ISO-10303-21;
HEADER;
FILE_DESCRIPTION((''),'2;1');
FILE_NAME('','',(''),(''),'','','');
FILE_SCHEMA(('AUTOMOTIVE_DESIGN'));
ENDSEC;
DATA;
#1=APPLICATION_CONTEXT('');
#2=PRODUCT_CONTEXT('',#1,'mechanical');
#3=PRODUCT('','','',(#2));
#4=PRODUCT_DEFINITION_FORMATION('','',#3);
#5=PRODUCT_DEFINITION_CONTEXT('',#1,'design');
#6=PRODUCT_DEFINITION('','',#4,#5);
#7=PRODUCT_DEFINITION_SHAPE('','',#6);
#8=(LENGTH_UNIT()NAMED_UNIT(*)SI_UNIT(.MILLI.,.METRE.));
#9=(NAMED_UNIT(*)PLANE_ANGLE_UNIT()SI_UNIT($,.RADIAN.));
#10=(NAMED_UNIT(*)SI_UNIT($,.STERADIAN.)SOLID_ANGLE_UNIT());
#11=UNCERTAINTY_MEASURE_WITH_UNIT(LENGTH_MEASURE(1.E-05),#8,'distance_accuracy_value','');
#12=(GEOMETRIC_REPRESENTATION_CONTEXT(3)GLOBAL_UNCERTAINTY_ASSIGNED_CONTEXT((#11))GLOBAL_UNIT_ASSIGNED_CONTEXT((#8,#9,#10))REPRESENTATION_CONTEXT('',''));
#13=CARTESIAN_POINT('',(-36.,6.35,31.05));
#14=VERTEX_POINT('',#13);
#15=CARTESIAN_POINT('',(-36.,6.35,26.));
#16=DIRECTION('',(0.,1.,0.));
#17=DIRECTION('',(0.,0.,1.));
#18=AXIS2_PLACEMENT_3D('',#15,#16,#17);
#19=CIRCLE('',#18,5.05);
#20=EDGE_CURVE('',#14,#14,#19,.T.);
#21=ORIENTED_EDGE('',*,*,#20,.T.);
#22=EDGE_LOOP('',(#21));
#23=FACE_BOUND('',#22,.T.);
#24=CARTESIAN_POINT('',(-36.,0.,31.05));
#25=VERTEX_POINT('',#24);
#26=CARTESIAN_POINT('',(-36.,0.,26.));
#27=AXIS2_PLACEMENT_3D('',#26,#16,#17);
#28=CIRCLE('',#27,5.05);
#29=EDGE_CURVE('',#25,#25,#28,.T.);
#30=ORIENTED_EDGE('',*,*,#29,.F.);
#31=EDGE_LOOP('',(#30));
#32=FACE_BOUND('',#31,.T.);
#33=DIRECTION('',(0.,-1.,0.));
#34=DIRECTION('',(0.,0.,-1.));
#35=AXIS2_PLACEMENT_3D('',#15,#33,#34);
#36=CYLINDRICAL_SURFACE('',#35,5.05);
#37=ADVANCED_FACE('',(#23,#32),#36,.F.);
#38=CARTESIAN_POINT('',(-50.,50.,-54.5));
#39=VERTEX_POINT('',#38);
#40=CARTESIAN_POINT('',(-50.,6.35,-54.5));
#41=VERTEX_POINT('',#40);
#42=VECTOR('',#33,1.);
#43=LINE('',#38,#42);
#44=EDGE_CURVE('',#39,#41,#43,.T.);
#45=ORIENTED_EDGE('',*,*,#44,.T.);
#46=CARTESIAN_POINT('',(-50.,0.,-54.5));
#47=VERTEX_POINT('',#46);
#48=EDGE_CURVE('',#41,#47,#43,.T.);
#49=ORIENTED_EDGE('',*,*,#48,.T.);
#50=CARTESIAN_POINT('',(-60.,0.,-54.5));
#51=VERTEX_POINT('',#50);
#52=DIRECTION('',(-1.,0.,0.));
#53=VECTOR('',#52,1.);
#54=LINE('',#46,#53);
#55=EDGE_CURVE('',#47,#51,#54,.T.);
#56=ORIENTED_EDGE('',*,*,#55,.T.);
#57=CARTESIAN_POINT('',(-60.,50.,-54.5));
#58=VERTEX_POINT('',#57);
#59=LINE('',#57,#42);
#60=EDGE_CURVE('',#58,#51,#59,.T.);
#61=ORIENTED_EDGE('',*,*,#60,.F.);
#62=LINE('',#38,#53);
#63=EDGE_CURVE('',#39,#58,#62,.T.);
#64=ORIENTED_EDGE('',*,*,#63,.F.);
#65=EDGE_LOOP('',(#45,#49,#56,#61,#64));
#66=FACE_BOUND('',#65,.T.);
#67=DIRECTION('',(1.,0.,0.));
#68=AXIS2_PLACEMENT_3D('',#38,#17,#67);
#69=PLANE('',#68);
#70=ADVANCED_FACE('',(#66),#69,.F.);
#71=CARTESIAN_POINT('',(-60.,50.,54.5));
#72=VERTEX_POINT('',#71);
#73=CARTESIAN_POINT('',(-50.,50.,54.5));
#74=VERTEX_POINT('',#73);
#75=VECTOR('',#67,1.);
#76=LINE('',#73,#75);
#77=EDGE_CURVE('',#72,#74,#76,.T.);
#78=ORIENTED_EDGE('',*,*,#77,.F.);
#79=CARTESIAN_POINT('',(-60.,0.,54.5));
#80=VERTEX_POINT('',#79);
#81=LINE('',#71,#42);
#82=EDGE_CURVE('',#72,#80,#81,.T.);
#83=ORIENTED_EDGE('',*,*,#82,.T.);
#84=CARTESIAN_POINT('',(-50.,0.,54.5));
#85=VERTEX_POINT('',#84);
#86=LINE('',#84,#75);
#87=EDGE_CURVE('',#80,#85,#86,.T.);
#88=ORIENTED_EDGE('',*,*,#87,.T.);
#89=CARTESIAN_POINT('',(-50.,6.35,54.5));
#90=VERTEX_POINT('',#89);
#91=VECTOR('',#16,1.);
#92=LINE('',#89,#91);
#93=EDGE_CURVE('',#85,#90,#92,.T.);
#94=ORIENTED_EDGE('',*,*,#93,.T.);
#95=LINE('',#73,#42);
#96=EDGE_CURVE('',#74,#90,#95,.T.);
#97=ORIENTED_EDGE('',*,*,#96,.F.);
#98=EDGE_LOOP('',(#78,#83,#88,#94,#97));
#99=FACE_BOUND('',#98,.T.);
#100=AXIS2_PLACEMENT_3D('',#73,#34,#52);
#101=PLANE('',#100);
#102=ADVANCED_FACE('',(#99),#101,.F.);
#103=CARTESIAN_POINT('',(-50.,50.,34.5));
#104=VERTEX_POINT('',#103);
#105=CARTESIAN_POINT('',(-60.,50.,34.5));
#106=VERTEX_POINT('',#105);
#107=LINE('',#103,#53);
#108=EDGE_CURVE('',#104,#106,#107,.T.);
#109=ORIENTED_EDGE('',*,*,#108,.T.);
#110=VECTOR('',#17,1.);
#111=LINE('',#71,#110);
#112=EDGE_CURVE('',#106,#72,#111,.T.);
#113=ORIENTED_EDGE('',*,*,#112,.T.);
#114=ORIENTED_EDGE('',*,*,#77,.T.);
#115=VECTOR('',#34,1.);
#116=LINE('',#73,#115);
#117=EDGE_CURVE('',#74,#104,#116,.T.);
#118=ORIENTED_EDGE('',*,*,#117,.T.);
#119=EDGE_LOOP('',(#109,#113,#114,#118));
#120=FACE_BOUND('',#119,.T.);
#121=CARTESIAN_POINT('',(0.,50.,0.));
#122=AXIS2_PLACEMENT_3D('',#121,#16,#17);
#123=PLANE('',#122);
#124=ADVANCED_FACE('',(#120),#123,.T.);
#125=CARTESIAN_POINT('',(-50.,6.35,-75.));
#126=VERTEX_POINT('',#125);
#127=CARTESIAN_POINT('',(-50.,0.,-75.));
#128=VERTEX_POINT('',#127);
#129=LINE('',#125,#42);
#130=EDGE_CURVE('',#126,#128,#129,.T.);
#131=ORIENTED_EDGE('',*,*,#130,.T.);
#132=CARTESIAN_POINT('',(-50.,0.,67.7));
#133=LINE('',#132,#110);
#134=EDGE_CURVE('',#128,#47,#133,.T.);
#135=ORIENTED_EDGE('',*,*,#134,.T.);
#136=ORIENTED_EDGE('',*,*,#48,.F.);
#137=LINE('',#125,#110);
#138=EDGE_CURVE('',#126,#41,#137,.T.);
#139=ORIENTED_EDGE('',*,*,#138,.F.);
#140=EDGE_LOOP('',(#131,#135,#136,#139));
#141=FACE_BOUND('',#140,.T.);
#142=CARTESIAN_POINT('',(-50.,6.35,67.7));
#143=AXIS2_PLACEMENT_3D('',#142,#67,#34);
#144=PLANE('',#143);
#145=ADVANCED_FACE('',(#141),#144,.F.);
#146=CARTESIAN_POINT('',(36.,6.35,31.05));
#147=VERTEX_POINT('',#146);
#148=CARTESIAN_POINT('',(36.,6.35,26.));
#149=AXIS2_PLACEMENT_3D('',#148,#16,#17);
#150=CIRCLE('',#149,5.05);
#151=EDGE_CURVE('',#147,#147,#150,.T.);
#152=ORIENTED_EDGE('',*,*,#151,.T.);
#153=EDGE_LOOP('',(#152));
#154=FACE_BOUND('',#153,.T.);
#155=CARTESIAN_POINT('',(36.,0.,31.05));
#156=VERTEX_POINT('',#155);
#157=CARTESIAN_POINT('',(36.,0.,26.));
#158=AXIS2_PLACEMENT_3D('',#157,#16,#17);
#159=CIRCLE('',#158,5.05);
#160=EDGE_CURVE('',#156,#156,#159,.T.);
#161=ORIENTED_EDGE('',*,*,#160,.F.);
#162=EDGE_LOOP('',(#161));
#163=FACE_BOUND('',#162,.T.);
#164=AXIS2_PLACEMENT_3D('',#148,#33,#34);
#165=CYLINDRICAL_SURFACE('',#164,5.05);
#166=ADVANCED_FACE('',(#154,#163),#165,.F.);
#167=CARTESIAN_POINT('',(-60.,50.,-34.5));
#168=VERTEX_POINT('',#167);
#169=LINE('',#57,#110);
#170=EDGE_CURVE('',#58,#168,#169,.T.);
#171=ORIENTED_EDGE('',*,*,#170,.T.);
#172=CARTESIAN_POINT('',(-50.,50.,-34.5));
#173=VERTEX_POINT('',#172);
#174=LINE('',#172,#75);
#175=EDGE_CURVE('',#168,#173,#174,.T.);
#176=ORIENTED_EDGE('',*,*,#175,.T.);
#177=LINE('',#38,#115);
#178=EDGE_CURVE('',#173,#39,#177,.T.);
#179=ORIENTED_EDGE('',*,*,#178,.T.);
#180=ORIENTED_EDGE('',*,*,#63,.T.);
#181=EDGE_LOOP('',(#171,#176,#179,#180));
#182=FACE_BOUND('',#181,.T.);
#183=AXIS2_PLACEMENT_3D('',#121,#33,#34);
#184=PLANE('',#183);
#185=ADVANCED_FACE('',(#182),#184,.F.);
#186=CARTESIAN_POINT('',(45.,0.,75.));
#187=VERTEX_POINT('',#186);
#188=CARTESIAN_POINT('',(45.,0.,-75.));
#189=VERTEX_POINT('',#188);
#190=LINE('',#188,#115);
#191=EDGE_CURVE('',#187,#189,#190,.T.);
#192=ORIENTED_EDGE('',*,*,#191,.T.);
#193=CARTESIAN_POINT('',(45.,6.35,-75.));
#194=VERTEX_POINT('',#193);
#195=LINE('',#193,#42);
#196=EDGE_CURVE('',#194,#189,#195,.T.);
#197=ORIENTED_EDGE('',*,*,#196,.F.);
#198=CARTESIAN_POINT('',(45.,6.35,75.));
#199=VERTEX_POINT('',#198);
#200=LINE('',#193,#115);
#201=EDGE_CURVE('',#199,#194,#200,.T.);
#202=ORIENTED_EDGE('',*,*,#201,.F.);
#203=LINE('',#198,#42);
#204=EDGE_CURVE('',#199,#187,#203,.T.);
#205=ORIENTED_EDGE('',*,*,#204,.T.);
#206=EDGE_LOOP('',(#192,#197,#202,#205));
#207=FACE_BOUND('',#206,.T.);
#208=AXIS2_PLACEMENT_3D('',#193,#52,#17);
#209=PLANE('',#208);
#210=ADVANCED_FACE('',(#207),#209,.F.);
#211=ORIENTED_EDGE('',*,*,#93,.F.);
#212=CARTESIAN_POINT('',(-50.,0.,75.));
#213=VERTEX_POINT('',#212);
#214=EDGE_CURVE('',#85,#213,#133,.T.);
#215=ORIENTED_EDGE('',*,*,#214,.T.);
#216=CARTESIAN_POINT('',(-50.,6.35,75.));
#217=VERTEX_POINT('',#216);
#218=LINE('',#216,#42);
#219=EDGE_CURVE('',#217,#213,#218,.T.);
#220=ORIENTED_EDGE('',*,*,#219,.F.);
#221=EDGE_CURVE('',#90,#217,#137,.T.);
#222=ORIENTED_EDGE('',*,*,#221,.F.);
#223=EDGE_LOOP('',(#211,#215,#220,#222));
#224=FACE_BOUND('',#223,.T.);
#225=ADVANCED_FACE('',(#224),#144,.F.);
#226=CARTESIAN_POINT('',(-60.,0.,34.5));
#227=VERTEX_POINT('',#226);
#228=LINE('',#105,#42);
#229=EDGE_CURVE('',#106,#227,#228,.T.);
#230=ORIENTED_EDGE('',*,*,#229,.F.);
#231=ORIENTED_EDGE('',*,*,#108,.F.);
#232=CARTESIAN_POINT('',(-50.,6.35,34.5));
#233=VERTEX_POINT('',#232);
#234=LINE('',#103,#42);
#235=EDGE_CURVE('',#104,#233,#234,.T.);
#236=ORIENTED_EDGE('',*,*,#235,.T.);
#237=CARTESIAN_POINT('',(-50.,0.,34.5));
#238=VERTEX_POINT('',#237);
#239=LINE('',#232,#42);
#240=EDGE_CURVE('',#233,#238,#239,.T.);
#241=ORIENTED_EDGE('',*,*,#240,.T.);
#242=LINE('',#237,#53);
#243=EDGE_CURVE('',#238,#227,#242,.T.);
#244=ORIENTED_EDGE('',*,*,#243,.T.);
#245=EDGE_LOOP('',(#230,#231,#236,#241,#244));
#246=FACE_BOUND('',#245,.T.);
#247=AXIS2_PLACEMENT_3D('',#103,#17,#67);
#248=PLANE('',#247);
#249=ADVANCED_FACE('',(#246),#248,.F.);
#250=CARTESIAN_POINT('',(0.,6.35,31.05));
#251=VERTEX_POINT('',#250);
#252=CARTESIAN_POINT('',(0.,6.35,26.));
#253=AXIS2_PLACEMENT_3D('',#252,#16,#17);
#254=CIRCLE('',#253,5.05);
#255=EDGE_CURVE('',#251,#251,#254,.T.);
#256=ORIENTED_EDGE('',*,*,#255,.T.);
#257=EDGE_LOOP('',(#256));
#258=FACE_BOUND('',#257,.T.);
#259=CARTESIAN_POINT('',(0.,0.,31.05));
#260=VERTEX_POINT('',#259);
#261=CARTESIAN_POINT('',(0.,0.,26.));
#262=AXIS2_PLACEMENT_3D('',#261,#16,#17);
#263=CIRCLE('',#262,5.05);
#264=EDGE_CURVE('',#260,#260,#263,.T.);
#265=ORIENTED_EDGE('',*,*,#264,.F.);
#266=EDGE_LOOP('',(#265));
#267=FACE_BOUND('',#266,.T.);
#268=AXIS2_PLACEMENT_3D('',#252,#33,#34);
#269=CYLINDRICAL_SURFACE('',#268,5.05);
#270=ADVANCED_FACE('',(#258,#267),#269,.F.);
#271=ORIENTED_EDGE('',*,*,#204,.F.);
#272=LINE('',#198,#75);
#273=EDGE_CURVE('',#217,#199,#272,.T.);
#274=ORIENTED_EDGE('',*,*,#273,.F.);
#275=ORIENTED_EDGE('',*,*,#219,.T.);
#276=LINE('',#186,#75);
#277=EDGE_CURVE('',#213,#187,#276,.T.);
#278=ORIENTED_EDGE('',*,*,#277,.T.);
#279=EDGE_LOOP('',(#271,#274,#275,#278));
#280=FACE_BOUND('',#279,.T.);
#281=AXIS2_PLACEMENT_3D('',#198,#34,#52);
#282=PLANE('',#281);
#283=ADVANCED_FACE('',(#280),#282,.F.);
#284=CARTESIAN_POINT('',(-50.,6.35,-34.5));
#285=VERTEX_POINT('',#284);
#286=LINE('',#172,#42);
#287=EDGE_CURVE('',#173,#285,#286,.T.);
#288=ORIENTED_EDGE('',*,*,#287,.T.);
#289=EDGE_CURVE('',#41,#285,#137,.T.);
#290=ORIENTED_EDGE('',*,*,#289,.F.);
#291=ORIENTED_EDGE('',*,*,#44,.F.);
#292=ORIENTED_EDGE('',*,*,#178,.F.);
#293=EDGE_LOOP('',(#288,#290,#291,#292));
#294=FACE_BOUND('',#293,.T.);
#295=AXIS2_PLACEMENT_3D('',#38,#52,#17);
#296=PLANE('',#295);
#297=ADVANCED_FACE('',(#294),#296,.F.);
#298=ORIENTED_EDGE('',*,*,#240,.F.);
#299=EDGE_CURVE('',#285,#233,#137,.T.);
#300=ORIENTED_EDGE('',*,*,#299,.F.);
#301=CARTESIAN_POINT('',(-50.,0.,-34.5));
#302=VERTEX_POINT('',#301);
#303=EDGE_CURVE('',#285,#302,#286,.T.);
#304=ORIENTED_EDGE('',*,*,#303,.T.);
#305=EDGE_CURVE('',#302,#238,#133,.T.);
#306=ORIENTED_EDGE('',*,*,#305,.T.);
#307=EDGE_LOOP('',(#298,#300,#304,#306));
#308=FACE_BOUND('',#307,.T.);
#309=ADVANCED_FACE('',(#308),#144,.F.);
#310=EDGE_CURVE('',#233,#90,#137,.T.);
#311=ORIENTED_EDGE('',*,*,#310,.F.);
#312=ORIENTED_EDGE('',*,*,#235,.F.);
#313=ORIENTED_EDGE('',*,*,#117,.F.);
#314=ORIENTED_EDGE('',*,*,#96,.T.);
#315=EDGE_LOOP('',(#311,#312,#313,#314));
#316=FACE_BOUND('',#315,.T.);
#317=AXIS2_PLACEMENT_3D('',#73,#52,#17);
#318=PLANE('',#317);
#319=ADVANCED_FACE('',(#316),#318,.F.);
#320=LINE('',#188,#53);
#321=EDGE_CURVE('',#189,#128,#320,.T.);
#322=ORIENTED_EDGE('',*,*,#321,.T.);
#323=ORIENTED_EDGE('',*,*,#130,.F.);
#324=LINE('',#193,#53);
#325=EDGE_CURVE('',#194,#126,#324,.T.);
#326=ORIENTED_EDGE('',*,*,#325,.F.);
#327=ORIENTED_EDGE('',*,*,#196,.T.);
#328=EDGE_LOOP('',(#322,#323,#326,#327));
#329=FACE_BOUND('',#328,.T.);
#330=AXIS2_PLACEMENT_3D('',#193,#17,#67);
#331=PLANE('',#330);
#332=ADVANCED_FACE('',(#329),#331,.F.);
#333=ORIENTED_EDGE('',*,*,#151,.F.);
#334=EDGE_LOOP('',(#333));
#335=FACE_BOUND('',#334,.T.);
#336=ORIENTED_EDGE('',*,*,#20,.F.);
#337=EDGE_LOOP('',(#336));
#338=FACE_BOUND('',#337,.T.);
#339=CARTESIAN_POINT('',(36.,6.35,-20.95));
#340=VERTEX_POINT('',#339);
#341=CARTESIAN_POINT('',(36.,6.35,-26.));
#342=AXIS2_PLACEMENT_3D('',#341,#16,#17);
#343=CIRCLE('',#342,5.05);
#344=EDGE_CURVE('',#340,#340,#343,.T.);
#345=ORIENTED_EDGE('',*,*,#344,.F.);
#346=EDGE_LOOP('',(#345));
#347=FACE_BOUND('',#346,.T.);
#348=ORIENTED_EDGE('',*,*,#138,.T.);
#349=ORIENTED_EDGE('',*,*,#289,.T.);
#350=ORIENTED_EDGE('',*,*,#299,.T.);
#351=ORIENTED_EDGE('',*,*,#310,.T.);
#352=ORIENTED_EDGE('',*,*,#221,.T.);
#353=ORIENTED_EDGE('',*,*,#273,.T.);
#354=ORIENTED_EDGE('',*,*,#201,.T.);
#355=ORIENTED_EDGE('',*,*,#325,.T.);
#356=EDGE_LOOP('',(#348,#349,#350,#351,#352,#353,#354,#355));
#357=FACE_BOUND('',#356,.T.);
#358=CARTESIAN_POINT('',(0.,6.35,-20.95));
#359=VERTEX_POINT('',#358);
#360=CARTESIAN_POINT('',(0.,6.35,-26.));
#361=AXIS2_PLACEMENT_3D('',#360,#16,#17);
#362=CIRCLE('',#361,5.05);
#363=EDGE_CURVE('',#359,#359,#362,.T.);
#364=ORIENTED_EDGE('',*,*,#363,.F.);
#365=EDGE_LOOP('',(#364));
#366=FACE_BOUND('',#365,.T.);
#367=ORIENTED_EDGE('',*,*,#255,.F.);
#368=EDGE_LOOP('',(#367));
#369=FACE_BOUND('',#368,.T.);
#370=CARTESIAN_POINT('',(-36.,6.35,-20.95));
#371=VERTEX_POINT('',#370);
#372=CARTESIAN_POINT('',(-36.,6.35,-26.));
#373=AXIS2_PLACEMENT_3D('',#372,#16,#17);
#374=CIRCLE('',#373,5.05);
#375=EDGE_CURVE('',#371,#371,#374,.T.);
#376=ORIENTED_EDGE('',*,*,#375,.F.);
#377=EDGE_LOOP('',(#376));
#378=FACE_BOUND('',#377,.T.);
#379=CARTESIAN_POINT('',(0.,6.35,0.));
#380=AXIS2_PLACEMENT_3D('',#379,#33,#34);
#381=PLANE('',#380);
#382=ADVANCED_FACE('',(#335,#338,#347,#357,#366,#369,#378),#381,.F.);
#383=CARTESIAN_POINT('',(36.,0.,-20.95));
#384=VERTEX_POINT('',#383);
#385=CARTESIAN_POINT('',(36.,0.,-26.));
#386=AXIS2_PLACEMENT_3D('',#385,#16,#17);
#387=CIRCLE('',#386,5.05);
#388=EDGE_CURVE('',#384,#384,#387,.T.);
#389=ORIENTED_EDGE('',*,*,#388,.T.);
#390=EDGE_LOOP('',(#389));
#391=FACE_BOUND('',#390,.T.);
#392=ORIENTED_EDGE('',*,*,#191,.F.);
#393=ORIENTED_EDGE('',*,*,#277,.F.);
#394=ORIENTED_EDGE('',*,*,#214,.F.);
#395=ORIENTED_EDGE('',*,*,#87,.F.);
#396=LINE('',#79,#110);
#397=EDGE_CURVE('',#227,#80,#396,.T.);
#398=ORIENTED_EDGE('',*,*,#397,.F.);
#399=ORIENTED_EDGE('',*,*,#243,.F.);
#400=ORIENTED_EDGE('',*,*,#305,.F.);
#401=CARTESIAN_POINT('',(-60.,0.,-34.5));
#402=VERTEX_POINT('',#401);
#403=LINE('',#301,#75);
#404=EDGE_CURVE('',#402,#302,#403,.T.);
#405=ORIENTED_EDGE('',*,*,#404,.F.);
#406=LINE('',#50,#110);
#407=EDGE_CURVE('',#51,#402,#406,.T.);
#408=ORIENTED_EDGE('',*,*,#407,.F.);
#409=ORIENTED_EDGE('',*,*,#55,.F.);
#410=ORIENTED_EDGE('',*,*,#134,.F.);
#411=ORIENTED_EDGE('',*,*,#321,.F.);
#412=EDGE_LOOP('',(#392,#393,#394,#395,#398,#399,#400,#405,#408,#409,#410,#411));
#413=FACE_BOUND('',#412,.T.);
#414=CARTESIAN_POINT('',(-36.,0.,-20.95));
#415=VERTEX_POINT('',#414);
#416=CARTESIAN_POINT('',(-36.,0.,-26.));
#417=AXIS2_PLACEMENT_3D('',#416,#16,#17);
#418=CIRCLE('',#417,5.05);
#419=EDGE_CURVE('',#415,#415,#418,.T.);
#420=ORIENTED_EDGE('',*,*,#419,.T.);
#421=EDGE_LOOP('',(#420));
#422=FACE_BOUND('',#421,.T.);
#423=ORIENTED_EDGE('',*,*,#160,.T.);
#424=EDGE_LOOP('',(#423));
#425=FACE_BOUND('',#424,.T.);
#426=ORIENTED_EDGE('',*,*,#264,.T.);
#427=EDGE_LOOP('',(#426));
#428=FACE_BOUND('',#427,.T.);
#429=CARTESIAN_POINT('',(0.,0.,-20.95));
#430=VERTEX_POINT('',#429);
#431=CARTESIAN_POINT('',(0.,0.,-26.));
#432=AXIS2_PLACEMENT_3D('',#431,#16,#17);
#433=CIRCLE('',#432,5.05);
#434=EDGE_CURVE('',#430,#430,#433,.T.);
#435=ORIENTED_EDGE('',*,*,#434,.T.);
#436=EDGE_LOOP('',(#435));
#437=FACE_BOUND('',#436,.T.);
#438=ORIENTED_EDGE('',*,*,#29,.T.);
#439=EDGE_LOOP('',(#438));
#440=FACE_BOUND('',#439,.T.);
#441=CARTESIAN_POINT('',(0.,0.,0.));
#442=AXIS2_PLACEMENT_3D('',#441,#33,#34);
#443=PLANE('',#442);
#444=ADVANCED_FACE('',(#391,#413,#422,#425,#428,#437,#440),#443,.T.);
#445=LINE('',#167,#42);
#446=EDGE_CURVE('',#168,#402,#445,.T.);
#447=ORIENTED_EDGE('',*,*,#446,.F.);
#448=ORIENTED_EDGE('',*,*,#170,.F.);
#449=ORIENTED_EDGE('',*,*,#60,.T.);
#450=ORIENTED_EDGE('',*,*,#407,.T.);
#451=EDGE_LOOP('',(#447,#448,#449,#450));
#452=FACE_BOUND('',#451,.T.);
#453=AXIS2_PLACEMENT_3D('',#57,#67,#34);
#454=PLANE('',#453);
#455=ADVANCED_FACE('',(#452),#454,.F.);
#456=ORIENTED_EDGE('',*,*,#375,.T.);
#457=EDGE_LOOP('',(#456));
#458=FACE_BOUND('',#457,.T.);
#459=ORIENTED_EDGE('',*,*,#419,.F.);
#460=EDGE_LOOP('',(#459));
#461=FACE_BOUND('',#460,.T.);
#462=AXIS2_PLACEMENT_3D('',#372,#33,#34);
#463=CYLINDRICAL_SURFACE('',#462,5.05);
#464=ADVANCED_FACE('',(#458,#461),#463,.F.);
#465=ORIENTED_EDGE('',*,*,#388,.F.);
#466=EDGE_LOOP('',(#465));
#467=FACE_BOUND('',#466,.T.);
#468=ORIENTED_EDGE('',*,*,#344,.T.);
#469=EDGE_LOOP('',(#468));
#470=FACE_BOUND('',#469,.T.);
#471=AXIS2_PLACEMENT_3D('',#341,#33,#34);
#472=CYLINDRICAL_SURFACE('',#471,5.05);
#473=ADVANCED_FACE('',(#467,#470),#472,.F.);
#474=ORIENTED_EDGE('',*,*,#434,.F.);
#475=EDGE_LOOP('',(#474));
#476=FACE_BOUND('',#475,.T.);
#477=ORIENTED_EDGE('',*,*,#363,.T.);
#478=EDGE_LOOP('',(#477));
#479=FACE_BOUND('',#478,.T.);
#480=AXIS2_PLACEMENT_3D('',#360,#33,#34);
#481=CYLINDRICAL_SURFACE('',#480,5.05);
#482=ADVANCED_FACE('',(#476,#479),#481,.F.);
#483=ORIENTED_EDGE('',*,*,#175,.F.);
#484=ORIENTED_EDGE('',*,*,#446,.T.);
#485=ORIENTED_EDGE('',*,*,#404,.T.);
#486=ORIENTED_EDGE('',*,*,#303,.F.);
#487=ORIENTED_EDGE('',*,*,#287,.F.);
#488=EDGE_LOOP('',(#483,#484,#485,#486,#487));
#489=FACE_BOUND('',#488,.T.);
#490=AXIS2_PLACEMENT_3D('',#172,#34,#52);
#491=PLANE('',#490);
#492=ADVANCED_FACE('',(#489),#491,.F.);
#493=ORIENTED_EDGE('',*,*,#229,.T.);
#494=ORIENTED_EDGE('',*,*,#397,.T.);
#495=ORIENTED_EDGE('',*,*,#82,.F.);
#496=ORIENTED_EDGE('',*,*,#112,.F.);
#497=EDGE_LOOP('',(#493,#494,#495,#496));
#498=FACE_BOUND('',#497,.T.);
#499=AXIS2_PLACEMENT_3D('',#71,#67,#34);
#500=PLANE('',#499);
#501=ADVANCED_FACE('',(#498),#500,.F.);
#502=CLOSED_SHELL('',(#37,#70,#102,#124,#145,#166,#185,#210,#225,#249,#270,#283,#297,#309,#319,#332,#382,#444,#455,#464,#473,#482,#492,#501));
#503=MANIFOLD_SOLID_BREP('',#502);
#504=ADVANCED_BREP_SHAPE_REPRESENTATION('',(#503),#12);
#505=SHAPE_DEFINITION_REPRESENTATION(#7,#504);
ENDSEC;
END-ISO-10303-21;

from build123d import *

# Parameters (mm, degrees)
SKETCH1_R           = 5.05
BOSS_EXTRUDE1_DEPTH = 6.35
SKETCH2_W           = 10
SKETCH2_H           = 20
BOSS_EXTRUDE2_DEPTH = 50


with BuildPart() as part:
    # Sketch1 → Boss-Extrude1 (new body)
    with BuildSketch(Plane(origin=(0, 0, 0), x_dir=(1, 0, 0), z_dir=(0, 1, 0))):
        Polygon((45, 75), (-50, 75), (-50, 67.7), (-50, 47.7), (-50, -47.7), (-50, -67.7), (-50, -75), (45, -75), align=None)
        with Locations(Location((-36, 26, 0), (0, 0, 270))):
            Circle(SKETCH1_R, mode=Mode.SUBTRACT)
        with Locations(Location((36, 26, 0), (0, 0, 270))):
            Circle(SKETCH1_R, mode=Mode.SUBTRACT)
        with Locations(Location((36, -26, 0), (0, 0, 270))):
            Circle(SKETCH1_R, mode=Mode.SUBTRACT)
        with Locations(Location((-36, -26, 0), (0, 0, 270))):
            Circle(SKETCH1_R, mode=Mode.SUBTRACT)
        with Locations(Location((0, 26, 0), (0, 0, 270))):
            Circle(SKETCH1_R, mode=Mode.SUBTRACT)
        with Locations(Location((0, -26, 0), (0, 0, 270))):
            Circle(SKETCH1_R, mode=Mode.SUBTRACT)
    extrude(amount=BOSS_EXTRUDE1_DEPTH)

    # Sketch2 → Boss-Extrude2 (add)
    with BuildSketch(Plane(origin=(0, 0, 0), x_dir=(1, 0, 0), z_dir=(0, 1, 0))):
        with Locations((-55, 44.5)):
            Rectangle(SKETCH2_W, SKETCH2_H)
        with Locations((-55, -44.5)):
            Rectangle(SKETCH2_W, SKETCH2_H)
    extrude(amount=BOSS_EXTRUDE2_DEPTH)


solid = part.part
